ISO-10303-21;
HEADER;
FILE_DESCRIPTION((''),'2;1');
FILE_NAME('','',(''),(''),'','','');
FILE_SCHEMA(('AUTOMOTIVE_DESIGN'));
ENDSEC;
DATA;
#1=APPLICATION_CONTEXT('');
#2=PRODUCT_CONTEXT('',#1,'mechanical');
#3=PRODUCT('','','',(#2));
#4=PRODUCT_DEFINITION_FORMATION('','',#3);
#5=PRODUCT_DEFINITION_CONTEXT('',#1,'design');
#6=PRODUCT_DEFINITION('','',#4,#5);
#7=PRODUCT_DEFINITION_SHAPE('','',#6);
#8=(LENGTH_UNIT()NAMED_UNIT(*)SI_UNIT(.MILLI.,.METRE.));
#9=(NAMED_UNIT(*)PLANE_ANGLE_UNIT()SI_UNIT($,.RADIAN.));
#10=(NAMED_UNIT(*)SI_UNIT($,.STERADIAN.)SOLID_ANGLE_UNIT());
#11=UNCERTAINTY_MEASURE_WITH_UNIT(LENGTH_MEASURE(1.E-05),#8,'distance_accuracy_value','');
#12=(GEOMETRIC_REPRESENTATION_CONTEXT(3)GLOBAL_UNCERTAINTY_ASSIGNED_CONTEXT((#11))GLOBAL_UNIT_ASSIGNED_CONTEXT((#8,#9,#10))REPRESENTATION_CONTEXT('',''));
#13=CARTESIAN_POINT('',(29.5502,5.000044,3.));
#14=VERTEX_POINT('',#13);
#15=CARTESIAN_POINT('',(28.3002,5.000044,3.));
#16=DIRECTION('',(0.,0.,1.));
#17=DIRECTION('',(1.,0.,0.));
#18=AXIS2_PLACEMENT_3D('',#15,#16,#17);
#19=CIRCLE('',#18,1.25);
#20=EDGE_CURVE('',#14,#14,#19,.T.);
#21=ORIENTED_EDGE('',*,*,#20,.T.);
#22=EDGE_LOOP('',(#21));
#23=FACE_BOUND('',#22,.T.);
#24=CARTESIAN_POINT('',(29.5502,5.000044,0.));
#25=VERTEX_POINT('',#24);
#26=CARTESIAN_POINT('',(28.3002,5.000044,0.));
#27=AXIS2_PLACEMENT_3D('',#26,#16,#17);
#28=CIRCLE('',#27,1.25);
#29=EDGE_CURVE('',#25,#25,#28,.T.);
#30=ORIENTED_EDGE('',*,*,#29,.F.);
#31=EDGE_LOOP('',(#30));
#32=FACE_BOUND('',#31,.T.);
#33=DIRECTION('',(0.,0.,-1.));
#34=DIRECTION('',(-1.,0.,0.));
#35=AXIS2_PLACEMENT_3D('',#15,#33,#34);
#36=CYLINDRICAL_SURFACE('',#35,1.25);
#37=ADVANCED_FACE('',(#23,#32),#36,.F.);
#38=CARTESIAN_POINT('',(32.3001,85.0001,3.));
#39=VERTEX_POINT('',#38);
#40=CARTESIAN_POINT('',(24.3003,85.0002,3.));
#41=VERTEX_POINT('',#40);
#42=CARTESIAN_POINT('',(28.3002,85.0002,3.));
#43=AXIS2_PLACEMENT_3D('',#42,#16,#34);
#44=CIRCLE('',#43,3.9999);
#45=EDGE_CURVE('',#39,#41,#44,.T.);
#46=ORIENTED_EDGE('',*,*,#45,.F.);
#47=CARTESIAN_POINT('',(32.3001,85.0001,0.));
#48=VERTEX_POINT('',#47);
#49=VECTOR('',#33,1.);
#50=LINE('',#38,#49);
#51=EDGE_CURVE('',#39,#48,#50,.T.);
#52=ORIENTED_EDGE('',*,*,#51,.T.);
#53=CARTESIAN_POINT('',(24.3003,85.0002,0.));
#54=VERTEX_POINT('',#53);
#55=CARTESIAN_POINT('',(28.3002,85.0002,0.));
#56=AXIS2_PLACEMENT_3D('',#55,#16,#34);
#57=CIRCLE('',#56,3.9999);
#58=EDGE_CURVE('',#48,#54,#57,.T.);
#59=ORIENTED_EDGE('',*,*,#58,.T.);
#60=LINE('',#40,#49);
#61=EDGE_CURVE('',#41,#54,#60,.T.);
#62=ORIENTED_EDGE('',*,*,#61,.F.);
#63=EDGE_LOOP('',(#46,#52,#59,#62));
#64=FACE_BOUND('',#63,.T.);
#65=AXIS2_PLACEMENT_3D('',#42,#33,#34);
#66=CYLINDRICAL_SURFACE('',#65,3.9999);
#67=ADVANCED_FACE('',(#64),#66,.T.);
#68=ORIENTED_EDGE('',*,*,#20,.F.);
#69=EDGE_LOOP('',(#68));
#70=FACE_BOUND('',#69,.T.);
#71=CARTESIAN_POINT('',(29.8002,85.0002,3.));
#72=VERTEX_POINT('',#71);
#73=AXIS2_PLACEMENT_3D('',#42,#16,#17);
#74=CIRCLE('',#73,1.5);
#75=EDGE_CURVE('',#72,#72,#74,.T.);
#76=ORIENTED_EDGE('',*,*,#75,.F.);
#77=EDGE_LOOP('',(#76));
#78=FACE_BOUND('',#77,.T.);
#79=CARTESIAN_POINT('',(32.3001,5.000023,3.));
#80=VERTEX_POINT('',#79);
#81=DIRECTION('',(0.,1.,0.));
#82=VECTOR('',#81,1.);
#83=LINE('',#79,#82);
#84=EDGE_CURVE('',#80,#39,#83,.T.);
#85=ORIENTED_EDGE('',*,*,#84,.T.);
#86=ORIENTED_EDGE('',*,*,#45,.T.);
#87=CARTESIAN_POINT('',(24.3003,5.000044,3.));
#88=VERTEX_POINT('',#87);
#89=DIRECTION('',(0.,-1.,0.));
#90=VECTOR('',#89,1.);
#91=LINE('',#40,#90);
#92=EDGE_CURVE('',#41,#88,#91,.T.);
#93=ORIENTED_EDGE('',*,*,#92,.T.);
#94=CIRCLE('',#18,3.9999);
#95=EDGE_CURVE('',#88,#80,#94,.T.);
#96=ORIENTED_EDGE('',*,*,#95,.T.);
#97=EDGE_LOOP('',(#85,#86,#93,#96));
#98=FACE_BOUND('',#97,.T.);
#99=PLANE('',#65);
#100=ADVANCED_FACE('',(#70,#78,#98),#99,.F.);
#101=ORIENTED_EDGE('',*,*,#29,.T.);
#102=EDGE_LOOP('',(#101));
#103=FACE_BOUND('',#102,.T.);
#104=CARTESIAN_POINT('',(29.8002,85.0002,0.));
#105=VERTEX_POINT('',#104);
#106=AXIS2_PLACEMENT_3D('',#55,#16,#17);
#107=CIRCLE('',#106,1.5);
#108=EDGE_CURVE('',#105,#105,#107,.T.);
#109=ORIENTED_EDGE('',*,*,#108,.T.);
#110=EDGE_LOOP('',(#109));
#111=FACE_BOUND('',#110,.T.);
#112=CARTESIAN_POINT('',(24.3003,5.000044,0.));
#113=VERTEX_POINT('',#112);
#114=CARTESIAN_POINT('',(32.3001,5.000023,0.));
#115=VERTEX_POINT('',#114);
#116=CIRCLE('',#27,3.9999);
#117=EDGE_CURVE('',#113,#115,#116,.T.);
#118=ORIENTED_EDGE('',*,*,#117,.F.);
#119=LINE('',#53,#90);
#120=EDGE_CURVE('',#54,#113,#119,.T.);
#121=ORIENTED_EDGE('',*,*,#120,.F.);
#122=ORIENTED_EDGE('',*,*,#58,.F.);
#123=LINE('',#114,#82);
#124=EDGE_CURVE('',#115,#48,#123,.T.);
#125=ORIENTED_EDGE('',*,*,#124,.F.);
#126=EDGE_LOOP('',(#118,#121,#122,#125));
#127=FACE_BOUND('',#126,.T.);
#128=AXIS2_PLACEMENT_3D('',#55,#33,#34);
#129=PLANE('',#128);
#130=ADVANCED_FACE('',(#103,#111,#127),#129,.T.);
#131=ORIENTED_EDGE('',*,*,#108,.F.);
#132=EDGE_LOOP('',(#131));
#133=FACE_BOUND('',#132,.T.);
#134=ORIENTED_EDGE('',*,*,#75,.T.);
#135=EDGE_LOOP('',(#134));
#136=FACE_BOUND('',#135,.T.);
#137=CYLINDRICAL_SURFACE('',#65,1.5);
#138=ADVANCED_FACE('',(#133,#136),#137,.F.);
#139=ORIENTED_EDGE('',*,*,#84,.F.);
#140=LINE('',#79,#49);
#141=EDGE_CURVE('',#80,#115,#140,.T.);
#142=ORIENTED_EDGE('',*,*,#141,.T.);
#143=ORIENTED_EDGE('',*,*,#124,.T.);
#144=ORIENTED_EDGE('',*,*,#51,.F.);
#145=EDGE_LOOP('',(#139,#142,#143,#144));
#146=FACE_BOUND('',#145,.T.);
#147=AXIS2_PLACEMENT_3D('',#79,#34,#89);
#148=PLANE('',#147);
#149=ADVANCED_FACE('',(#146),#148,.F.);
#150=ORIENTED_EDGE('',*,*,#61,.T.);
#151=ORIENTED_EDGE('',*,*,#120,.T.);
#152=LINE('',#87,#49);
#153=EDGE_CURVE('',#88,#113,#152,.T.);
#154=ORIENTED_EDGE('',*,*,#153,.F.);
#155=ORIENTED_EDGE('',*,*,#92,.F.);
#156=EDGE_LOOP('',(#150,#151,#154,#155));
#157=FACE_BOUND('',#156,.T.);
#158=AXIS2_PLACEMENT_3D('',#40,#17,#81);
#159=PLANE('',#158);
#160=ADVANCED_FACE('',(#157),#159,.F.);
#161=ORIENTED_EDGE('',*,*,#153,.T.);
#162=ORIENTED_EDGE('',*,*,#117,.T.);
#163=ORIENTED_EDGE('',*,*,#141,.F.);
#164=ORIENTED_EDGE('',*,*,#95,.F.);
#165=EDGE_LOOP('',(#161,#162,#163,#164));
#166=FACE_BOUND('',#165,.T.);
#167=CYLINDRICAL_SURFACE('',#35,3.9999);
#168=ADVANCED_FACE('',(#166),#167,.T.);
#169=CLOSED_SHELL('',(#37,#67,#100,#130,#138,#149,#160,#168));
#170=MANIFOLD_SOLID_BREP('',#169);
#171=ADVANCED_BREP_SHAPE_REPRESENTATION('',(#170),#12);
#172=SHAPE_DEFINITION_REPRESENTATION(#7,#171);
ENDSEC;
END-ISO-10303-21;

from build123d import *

# Parameters (mm, degrees)
SKETCH_1_R      = 1.25
SKETCH_1_R_2    = 1.5
EXTRUDE_1_DEPTH = 3


with BuildPart() as part:
    # 草圖1 → 填料-伸長1 (new body)
    with BuildSketch(Plane.XY):
        with BuildLine():
            Line((24.3003, 85.000200001), (24.3003, 5.00004388))
            ThreePointArc((24.3003, 5.00004388), (28.300189434, 1.00014388), (32.300099999, 5.000022748))
            Line((32.300099999, 5.000022748), (32.3001, 85.0001))
            ThreePointArc((32.3001, 85.0001), (28.300250001, 89.000100001), (24.3003, 85.000200001))
        make_face()
        with Locations((28.3002, 5.00004388)):
            Circle(SKETCH_1_R, mode=Mode.SUBTRACT)
        with Locations((28.300200001, 85.000200001)):
            Circle(SKETCH_1_R_2, mode=Mode.SUBTRACT)
    extrude(amount=EXTRUDE_1_DEPTH)


solid = part.part
